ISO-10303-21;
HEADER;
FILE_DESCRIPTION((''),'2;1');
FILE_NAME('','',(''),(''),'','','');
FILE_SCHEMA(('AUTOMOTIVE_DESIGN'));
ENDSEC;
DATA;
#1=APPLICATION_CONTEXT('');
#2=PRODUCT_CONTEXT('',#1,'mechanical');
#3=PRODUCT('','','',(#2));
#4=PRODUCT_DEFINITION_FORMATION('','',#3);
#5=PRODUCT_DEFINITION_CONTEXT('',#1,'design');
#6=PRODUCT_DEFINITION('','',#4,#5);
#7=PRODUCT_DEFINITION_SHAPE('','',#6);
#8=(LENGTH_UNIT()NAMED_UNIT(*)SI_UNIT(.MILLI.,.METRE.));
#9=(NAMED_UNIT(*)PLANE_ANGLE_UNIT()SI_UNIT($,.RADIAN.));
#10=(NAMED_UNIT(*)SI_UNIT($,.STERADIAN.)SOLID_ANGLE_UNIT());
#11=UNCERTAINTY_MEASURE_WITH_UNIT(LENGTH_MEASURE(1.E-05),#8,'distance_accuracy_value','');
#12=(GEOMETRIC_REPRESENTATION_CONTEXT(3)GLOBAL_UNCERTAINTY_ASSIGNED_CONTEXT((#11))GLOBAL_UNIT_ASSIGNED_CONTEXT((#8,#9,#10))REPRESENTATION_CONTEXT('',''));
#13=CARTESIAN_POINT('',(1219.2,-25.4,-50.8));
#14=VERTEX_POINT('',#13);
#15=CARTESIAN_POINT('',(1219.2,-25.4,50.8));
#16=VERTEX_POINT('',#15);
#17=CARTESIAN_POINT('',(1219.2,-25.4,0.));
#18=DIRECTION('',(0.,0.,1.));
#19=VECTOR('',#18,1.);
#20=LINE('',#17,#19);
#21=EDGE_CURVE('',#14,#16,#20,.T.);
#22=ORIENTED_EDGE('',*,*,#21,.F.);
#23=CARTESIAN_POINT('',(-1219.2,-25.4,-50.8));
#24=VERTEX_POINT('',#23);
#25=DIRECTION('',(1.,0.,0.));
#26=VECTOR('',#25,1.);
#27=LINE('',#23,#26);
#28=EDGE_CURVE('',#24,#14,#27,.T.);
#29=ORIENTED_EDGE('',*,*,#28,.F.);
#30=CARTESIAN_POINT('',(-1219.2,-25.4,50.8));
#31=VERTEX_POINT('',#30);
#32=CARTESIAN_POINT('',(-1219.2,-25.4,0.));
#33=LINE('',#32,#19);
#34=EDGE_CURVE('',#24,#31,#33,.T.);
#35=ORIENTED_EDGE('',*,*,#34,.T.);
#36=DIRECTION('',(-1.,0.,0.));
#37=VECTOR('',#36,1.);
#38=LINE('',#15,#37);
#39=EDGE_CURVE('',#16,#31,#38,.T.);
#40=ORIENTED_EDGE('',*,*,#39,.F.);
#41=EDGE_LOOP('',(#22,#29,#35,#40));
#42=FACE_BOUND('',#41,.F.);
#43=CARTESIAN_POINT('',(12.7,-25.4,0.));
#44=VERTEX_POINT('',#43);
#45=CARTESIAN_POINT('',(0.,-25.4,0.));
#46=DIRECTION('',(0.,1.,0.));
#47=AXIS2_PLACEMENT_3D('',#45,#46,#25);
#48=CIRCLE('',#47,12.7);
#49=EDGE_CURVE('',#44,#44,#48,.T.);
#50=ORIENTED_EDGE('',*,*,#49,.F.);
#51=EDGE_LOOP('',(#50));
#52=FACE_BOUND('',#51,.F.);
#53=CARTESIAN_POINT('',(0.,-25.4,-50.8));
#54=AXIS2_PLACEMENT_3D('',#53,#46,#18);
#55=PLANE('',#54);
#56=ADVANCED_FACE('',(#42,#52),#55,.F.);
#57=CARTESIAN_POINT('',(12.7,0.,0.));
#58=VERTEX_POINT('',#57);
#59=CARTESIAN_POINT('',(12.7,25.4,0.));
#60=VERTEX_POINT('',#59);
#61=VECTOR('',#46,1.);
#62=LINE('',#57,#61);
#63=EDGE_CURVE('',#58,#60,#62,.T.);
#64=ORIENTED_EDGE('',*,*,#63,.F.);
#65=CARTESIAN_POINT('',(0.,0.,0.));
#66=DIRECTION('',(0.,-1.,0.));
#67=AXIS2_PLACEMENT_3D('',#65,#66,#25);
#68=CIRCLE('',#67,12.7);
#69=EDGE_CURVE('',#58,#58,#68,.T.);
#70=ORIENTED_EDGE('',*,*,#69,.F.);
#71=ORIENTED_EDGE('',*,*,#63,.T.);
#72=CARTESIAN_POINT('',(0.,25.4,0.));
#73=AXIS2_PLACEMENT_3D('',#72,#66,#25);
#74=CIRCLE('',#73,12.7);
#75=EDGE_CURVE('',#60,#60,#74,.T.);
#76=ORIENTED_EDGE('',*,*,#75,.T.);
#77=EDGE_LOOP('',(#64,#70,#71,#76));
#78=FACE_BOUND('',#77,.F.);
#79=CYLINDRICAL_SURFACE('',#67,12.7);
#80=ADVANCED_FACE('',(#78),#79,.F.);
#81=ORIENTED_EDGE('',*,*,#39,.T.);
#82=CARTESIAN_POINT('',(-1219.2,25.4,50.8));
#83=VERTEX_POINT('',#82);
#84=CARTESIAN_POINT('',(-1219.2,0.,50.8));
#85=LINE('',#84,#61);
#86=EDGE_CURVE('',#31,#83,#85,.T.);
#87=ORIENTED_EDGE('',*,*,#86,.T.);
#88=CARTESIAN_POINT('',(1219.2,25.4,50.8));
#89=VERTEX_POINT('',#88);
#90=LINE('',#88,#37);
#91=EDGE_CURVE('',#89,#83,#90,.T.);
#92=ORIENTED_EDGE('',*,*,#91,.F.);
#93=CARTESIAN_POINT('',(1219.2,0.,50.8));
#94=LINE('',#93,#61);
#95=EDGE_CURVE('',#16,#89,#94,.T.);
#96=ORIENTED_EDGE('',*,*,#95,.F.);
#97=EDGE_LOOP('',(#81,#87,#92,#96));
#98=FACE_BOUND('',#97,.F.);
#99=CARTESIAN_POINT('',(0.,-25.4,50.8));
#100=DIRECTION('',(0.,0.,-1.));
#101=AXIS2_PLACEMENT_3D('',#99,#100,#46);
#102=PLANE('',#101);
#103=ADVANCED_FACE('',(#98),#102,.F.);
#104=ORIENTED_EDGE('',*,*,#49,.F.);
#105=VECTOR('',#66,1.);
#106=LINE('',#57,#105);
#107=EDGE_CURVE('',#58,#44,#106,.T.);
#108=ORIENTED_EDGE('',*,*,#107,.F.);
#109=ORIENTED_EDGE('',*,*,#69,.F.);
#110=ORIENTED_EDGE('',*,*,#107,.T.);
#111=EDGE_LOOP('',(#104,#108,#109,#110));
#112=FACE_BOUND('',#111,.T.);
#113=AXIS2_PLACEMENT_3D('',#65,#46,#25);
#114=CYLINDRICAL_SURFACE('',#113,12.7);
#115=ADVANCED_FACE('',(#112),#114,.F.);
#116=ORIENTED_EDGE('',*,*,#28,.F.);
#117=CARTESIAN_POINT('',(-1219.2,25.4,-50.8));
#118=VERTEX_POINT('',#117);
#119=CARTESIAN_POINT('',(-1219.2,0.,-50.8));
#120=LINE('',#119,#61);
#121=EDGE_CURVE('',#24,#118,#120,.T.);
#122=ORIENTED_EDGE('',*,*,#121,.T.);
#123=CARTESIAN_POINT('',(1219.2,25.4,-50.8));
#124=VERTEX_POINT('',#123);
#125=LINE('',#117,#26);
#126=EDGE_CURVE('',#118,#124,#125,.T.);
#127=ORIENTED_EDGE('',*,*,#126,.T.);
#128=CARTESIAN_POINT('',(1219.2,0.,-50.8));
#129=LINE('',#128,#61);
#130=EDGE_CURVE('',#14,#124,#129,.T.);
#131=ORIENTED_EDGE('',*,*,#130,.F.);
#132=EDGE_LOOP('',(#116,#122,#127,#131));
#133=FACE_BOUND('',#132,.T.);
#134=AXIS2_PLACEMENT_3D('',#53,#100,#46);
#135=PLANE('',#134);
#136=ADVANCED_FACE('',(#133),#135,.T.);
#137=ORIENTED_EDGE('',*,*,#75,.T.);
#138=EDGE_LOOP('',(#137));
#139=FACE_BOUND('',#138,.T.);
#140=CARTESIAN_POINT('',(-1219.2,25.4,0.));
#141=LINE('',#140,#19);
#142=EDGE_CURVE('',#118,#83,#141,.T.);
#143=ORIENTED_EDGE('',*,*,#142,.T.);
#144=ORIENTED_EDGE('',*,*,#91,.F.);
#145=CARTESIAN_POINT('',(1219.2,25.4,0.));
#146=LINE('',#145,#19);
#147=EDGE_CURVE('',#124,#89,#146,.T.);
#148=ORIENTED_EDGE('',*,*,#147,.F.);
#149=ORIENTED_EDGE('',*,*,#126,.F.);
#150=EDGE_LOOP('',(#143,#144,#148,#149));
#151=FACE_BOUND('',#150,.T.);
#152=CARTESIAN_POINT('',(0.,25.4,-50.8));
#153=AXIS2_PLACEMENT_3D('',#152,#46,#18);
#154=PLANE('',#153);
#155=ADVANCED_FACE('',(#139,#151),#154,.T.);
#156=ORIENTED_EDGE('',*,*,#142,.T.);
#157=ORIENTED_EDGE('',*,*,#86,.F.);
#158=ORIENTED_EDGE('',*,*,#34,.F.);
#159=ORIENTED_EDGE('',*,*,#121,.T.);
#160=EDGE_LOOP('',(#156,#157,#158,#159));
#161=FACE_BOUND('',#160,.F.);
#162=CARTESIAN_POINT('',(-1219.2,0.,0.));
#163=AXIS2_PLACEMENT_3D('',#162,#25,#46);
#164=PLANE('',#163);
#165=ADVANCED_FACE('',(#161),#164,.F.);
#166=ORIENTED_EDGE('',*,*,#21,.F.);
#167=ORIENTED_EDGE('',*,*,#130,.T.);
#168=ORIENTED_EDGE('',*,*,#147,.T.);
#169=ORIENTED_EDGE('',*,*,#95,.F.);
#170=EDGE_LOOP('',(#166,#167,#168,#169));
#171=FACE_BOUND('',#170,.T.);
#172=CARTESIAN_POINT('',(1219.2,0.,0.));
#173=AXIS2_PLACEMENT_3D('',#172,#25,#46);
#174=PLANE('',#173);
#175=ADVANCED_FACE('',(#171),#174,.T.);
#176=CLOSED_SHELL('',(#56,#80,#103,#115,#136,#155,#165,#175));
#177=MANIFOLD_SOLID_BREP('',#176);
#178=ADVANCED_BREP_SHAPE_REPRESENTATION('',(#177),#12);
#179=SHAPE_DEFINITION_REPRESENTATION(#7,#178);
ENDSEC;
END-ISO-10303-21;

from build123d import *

# Parameters (mm, degrees)
F0_W          = 50.8
F0_H          = 101.6
F1_DEPTH      = 1219.2
F2_R          = 12.7
F3_DEPTH      = 25.401
F3_DEPTH_BACK = 25.401


with BuildPart() as f1:
    # F0 (on Right) → F1 (new body, symmetric)
    with BuildSketch(Plane.YZ):
        Rectangle(F0_W, F0_H)
    extrude(amount=F1_DEPTH, both=True)

    # F2 (on Front) → F3 (cut, two sides)
    with BuildSketch(Plane.XZ) as f3_sk:
        Circle(F2_R)
    extrude(amount=-F3_DEPTH, mode=Mode.SUBTRACT)
    extrude(f3_sk.sketch, amount=F3_DEPTH_BACK, mode=Mode.SUBTRACT)


solid = f1.part
